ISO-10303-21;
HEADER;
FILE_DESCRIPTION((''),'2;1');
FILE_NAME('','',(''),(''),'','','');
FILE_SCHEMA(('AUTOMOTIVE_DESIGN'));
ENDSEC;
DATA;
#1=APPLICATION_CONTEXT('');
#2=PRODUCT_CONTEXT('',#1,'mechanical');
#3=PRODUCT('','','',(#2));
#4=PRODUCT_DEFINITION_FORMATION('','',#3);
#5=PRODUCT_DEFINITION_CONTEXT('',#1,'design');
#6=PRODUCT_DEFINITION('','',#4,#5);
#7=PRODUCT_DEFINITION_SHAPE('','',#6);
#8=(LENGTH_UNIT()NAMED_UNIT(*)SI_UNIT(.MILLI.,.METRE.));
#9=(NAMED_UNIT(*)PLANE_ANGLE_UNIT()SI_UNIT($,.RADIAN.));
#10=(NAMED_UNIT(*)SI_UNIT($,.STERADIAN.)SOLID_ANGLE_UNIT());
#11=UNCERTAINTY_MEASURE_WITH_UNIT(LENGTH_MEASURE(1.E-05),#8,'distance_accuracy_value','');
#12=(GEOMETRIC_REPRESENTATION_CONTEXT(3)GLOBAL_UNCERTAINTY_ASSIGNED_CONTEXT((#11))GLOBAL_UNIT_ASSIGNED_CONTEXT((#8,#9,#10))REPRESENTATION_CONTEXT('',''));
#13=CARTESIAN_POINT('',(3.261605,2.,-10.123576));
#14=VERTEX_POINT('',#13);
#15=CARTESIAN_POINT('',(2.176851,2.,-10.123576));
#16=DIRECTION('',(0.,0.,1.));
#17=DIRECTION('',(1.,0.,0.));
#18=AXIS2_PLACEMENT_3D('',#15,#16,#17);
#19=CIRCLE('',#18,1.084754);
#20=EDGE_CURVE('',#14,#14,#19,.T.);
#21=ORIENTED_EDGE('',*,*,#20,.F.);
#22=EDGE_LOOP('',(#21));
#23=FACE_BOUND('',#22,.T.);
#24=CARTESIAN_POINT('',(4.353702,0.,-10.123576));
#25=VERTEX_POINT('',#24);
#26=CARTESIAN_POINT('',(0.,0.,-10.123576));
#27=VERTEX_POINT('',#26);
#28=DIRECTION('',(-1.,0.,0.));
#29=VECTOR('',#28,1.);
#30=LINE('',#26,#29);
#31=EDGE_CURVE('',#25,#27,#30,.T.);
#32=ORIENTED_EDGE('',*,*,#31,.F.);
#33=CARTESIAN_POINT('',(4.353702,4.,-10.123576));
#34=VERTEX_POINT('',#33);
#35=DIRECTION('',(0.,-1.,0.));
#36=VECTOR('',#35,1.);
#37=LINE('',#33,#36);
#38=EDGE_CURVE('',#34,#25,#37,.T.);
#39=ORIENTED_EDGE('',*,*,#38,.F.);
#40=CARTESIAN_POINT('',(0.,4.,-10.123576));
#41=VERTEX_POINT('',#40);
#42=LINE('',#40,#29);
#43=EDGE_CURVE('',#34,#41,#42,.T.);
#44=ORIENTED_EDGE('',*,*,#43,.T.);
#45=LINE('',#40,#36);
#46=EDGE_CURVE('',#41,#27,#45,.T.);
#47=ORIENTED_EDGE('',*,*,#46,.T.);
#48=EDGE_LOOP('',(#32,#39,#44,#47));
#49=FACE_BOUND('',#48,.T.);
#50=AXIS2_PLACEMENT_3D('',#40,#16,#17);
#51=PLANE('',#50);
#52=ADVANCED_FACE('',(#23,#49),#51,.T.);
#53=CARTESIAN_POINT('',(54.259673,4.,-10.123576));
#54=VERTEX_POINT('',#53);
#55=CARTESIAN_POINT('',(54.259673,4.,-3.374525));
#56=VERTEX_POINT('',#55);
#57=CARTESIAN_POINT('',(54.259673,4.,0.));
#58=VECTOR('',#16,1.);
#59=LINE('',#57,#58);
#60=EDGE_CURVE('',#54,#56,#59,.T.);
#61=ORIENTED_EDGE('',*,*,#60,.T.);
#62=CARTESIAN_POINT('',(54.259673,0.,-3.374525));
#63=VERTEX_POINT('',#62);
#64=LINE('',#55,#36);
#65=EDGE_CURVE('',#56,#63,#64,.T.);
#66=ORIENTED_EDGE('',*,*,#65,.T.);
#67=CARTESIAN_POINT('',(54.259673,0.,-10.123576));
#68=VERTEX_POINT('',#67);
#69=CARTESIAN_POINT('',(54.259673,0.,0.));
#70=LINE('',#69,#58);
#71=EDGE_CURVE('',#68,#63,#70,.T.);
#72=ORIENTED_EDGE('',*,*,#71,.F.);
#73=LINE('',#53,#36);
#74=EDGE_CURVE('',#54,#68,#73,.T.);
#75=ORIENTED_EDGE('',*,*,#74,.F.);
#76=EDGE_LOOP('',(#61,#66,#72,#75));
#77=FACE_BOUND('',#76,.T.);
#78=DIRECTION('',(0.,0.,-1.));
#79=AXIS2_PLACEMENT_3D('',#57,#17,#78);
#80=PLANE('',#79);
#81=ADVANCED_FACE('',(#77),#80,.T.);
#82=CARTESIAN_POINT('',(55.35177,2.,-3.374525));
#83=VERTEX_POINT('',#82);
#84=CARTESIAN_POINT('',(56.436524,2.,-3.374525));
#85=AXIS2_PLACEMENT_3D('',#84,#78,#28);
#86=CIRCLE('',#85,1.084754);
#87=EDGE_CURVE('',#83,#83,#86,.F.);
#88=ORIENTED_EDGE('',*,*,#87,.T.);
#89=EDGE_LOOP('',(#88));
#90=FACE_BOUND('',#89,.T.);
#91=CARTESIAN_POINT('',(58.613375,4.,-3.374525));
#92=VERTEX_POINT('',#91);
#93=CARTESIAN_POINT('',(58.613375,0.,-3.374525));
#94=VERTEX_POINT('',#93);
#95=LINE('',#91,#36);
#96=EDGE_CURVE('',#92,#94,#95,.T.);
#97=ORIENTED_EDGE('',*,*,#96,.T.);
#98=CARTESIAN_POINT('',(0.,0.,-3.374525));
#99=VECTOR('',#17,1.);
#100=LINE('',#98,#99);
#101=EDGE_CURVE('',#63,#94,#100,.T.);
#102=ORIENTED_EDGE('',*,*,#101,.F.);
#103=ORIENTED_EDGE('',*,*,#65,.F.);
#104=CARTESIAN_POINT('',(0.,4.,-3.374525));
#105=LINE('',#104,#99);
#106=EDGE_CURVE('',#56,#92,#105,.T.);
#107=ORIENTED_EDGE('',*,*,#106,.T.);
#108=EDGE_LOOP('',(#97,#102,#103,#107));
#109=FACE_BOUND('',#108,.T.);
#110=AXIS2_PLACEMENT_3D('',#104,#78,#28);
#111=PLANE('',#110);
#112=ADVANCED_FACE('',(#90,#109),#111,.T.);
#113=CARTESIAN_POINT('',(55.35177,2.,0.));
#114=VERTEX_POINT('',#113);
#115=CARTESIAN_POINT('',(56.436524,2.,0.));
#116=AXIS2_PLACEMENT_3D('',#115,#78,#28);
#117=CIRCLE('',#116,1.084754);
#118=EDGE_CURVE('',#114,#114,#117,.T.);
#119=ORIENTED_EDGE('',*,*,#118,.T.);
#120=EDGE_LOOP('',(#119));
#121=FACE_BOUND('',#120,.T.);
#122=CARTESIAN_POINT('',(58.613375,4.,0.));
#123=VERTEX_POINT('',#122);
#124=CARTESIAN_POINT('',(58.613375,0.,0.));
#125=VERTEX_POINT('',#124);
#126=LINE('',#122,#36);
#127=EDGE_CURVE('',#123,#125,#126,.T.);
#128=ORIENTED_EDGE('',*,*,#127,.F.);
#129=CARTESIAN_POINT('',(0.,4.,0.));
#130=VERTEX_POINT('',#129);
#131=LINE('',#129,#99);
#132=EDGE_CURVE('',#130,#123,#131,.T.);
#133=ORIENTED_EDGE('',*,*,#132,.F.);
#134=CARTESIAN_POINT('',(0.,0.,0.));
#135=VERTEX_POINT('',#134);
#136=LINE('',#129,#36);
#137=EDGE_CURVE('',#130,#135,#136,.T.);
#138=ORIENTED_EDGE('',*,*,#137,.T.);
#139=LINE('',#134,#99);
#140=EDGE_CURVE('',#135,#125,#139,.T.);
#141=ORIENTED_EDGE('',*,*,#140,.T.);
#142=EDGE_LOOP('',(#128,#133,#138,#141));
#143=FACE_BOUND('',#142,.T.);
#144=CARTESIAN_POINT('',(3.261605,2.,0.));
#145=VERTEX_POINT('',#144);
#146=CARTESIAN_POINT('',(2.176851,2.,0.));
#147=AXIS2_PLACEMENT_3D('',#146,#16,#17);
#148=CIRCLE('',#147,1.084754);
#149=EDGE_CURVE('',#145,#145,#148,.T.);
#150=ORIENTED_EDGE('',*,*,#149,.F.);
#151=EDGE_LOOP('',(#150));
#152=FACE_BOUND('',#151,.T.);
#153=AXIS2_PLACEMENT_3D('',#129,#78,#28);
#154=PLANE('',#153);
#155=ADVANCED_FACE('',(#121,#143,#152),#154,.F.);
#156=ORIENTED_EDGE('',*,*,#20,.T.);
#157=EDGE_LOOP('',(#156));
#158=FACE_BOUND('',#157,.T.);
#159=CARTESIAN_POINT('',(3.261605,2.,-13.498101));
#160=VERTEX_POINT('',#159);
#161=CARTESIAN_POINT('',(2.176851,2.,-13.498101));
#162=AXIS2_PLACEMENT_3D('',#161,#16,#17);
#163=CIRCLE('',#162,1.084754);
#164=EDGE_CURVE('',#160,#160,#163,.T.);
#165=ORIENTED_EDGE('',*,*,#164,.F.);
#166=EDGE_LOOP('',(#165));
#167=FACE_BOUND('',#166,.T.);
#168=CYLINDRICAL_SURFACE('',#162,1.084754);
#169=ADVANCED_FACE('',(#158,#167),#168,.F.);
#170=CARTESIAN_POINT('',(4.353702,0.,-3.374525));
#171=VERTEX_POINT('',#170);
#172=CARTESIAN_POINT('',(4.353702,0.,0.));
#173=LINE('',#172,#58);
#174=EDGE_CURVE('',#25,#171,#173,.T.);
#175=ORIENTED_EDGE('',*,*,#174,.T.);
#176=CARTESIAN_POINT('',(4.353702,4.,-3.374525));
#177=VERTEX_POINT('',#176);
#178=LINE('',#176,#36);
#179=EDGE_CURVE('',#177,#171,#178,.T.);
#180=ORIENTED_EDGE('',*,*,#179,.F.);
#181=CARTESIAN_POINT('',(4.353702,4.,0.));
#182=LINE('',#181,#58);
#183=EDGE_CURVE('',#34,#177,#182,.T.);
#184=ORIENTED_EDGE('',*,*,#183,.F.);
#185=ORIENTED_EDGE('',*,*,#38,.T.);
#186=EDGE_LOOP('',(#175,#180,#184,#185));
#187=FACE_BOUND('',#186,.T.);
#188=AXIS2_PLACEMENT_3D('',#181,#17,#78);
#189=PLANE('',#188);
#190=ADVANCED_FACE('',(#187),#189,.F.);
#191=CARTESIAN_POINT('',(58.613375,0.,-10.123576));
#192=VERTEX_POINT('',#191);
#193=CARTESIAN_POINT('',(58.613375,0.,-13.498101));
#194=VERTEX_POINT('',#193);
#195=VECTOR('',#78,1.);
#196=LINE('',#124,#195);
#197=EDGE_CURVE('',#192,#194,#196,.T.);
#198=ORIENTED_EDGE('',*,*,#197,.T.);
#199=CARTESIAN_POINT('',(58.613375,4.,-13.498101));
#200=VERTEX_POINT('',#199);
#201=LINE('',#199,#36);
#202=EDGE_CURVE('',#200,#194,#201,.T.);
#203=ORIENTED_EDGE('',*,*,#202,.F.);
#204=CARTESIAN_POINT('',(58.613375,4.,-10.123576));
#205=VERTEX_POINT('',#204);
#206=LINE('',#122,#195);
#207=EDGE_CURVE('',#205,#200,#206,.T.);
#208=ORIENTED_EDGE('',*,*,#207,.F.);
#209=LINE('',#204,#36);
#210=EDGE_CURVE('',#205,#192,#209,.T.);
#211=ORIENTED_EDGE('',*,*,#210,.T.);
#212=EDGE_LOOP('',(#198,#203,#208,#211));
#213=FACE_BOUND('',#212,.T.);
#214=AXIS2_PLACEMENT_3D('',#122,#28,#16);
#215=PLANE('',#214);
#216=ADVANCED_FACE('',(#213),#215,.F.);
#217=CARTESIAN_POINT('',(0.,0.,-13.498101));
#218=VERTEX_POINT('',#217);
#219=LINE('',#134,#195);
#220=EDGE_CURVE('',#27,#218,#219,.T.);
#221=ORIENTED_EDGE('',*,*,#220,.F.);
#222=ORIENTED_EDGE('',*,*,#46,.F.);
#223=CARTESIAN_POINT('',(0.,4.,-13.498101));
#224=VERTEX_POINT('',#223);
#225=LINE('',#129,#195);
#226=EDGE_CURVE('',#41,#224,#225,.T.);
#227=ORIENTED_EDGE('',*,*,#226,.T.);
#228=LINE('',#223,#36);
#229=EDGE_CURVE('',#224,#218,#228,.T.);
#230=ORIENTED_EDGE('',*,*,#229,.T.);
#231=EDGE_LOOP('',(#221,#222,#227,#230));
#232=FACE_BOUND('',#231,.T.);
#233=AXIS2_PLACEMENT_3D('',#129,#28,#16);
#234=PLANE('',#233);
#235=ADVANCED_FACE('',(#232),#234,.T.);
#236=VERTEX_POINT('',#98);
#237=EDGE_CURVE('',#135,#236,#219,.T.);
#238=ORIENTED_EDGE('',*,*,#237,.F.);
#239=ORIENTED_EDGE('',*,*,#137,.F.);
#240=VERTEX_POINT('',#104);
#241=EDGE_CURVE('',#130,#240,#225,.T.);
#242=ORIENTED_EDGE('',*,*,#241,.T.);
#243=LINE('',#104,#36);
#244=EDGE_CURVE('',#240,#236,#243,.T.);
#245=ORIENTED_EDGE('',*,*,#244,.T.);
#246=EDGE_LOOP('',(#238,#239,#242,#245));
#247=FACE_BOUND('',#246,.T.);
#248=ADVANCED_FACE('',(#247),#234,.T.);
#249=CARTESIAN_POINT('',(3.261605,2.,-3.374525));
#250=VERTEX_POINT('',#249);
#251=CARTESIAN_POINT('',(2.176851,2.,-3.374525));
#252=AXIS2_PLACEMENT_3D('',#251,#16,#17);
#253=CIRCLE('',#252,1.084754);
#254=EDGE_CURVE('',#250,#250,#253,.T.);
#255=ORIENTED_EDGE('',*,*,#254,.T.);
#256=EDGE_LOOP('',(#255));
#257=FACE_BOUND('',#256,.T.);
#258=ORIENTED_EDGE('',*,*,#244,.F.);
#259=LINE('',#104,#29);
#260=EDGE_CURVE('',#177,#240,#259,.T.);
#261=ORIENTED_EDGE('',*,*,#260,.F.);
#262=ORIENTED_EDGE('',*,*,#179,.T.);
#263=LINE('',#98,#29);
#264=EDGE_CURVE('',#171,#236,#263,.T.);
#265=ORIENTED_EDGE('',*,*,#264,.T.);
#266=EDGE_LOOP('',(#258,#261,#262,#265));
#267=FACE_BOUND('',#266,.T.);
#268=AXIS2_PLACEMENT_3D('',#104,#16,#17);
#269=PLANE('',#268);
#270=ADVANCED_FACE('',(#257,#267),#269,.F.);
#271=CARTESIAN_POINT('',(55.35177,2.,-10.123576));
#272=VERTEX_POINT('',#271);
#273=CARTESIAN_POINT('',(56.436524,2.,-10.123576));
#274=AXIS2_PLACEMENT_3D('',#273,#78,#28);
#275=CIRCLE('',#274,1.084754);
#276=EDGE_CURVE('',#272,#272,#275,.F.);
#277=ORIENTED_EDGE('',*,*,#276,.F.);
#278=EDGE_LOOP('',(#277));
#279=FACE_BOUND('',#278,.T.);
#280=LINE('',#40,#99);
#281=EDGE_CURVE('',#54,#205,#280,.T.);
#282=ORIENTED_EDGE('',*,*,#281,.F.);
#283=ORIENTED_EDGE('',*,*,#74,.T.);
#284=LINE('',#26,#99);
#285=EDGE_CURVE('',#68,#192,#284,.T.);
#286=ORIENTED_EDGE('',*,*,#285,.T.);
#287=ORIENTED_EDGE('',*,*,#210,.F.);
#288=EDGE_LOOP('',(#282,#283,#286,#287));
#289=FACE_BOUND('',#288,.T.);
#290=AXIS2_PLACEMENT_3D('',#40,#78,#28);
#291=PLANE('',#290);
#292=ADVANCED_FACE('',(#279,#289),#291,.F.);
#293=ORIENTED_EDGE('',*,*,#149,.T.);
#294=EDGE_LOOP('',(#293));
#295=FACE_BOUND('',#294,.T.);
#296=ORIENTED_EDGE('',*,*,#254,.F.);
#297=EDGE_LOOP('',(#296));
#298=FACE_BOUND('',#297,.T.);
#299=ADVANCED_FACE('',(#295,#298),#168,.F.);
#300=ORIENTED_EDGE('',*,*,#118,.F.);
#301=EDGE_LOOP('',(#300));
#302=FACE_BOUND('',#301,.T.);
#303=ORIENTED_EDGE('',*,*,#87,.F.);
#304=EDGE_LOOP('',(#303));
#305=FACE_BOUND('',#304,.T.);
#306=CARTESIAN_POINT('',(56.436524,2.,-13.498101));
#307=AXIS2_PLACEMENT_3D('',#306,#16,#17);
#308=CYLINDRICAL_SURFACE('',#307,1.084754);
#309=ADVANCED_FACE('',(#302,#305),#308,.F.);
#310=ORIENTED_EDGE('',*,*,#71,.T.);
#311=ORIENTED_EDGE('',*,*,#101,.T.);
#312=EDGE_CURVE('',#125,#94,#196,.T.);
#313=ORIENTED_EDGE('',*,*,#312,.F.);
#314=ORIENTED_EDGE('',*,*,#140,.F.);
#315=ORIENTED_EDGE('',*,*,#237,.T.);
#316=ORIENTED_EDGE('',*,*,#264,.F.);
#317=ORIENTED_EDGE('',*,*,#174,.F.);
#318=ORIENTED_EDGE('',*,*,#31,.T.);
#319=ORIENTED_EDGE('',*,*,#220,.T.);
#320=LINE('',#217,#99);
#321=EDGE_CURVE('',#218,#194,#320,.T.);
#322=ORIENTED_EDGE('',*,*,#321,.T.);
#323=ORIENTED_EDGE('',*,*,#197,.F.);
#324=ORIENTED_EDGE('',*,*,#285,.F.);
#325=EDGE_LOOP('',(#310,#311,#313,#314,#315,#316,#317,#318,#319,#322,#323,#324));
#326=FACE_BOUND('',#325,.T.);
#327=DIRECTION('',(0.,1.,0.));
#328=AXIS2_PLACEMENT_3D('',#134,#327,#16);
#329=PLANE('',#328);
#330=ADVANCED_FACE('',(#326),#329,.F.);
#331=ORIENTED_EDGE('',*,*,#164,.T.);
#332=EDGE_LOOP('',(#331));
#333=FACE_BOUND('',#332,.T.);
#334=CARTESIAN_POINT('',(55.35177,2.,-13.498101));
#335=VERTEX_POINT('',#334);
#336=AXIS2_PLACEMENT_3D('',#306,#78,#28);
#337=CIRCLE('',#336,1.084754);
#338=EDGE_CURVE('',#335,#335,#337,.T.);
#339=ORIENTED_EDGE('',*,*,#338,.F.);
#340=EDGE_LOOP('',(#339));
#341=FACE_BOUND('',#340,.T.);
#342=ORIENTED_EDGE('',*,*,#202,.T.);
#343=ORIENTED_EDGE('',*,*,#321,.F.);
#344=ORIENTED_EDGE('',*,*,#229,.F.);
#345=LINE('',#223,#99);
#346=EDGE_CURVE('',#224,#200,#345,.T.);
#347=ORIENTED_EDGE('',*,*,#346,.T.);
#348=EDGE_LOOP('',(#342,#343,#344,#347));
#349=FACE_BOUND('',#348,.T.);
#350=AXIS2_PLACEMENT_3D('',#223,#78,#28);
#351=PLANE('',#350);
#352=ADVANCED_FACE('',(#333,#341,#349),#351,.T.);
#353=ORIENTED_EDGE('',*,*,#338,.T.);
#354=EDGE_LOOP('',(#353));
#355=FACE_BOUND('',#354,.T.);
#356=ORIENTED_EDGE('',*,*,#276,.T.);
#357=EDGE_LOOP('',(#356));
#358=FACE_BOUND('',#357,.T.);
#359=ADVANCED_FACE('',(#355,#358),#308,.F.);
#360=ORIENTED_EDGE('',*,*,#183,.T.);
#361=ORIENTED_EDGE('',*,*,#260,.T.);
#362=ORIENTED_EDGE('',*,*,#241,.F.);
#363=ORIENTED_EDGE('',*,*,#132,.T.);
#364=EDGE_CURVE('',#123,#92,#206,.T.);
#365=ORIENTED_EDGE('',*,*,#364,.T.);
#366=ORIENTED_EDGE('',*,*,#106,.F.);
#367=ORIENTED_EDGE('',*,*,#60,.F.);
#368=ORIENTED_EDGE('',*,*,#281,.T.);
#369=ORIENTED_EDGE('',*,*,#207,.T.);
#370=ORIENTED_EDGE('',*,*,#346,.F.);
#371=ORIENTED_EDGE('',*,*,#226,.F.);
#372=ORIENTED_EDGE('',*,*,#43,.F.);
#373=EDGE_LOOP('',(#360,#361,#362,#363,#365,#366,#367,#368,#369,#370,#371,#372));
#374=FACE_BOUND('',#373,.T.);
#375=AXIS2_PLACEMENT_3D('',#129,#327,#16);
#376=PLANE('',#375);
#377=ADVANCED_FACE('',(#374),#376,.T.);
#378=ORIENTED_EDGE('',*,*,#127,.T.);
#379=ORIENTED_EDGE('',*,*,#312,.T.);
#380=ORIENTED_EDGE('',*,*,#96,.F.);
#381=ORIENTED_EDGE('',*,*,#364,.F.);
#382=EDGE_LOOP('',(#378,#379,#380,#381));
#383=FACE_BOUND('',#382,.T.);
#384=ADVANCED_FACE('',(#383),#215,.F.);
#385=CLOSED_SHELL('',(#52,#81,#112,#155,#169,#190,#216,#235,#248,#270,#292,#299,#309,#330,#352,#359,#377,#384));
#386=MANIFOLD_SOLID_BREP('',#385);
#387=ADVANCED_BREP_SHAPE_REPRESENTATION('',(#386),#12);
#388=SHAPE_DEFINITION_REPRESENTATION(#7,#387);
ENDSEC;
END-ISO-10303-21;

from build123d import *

# Parameters (mm, degrees)
SKETCH1_W           = 4.353701527
SKETCH1_H           = 3.374525205
SKETCH1_H_2         = 3.374525206
SKETCH1_W_2         = 4.353701528
BOSS_EXTRUDE1_DEPTH = 4
SKETCH2_R           = 1.084753974
CUT_EXTRUDE6_DEPTH  = 13.498101


with BuildPart() as part:
    # Sketch1 → Boss-Extrude1 (new body)
    with BuildSketch(Plane(origin=(0, 0, 0), x_dir=(1, 0, 0), z_dir=(0, 1, 0))):
        Polygon((4.353701527, 3.374525206), (4.353701527, 0), (54.259673219, 0), (54.259673219, 3.374525206), (54.259673219, 6.749050412), (54.259673219, 10.123575618), (54.259673219, 13.498100823), (4.353701527, 13.498100823), (4.353701527, 10.123575618), (4.353701527, 6.749050412), align=None)
        with Locations((2.176850764, 11.810838221)):
            Rectangle(SKETCH1_W, SKETCH1_H)
        with Locations((2.176850764, 1.687262603)):
            Rectangle(SKETCH1_W, SKETCH1_H_2)
        with Locations((56.436523983, 11.810838221)):
            Rectangle(SKETCH1_W_2, SKETCH1_H)
        with Locations((56.436523983, 1.687262603)):
            Rectangle(SKETCH1_W_2, SKETCH1_H_2)
    extrude(amount=BOSS_EXTRUDE1_DEPTH)

    # Sketch2 → Cut-Extrude6 (cut)
    with BuildSketch(Plane.XY):
        with Locations((2.176850764, 2)):
            Circle(SKETCH2_R)
        with Locations(Location((56.436523983, 2, 0), (0, 0, 180))):
            Circle(SKETCH2_R)
    extrude(amount=-CUT_EXTRUDE6_DEPTH, mode=Mode.SUBTRACT)


solid = part.part
